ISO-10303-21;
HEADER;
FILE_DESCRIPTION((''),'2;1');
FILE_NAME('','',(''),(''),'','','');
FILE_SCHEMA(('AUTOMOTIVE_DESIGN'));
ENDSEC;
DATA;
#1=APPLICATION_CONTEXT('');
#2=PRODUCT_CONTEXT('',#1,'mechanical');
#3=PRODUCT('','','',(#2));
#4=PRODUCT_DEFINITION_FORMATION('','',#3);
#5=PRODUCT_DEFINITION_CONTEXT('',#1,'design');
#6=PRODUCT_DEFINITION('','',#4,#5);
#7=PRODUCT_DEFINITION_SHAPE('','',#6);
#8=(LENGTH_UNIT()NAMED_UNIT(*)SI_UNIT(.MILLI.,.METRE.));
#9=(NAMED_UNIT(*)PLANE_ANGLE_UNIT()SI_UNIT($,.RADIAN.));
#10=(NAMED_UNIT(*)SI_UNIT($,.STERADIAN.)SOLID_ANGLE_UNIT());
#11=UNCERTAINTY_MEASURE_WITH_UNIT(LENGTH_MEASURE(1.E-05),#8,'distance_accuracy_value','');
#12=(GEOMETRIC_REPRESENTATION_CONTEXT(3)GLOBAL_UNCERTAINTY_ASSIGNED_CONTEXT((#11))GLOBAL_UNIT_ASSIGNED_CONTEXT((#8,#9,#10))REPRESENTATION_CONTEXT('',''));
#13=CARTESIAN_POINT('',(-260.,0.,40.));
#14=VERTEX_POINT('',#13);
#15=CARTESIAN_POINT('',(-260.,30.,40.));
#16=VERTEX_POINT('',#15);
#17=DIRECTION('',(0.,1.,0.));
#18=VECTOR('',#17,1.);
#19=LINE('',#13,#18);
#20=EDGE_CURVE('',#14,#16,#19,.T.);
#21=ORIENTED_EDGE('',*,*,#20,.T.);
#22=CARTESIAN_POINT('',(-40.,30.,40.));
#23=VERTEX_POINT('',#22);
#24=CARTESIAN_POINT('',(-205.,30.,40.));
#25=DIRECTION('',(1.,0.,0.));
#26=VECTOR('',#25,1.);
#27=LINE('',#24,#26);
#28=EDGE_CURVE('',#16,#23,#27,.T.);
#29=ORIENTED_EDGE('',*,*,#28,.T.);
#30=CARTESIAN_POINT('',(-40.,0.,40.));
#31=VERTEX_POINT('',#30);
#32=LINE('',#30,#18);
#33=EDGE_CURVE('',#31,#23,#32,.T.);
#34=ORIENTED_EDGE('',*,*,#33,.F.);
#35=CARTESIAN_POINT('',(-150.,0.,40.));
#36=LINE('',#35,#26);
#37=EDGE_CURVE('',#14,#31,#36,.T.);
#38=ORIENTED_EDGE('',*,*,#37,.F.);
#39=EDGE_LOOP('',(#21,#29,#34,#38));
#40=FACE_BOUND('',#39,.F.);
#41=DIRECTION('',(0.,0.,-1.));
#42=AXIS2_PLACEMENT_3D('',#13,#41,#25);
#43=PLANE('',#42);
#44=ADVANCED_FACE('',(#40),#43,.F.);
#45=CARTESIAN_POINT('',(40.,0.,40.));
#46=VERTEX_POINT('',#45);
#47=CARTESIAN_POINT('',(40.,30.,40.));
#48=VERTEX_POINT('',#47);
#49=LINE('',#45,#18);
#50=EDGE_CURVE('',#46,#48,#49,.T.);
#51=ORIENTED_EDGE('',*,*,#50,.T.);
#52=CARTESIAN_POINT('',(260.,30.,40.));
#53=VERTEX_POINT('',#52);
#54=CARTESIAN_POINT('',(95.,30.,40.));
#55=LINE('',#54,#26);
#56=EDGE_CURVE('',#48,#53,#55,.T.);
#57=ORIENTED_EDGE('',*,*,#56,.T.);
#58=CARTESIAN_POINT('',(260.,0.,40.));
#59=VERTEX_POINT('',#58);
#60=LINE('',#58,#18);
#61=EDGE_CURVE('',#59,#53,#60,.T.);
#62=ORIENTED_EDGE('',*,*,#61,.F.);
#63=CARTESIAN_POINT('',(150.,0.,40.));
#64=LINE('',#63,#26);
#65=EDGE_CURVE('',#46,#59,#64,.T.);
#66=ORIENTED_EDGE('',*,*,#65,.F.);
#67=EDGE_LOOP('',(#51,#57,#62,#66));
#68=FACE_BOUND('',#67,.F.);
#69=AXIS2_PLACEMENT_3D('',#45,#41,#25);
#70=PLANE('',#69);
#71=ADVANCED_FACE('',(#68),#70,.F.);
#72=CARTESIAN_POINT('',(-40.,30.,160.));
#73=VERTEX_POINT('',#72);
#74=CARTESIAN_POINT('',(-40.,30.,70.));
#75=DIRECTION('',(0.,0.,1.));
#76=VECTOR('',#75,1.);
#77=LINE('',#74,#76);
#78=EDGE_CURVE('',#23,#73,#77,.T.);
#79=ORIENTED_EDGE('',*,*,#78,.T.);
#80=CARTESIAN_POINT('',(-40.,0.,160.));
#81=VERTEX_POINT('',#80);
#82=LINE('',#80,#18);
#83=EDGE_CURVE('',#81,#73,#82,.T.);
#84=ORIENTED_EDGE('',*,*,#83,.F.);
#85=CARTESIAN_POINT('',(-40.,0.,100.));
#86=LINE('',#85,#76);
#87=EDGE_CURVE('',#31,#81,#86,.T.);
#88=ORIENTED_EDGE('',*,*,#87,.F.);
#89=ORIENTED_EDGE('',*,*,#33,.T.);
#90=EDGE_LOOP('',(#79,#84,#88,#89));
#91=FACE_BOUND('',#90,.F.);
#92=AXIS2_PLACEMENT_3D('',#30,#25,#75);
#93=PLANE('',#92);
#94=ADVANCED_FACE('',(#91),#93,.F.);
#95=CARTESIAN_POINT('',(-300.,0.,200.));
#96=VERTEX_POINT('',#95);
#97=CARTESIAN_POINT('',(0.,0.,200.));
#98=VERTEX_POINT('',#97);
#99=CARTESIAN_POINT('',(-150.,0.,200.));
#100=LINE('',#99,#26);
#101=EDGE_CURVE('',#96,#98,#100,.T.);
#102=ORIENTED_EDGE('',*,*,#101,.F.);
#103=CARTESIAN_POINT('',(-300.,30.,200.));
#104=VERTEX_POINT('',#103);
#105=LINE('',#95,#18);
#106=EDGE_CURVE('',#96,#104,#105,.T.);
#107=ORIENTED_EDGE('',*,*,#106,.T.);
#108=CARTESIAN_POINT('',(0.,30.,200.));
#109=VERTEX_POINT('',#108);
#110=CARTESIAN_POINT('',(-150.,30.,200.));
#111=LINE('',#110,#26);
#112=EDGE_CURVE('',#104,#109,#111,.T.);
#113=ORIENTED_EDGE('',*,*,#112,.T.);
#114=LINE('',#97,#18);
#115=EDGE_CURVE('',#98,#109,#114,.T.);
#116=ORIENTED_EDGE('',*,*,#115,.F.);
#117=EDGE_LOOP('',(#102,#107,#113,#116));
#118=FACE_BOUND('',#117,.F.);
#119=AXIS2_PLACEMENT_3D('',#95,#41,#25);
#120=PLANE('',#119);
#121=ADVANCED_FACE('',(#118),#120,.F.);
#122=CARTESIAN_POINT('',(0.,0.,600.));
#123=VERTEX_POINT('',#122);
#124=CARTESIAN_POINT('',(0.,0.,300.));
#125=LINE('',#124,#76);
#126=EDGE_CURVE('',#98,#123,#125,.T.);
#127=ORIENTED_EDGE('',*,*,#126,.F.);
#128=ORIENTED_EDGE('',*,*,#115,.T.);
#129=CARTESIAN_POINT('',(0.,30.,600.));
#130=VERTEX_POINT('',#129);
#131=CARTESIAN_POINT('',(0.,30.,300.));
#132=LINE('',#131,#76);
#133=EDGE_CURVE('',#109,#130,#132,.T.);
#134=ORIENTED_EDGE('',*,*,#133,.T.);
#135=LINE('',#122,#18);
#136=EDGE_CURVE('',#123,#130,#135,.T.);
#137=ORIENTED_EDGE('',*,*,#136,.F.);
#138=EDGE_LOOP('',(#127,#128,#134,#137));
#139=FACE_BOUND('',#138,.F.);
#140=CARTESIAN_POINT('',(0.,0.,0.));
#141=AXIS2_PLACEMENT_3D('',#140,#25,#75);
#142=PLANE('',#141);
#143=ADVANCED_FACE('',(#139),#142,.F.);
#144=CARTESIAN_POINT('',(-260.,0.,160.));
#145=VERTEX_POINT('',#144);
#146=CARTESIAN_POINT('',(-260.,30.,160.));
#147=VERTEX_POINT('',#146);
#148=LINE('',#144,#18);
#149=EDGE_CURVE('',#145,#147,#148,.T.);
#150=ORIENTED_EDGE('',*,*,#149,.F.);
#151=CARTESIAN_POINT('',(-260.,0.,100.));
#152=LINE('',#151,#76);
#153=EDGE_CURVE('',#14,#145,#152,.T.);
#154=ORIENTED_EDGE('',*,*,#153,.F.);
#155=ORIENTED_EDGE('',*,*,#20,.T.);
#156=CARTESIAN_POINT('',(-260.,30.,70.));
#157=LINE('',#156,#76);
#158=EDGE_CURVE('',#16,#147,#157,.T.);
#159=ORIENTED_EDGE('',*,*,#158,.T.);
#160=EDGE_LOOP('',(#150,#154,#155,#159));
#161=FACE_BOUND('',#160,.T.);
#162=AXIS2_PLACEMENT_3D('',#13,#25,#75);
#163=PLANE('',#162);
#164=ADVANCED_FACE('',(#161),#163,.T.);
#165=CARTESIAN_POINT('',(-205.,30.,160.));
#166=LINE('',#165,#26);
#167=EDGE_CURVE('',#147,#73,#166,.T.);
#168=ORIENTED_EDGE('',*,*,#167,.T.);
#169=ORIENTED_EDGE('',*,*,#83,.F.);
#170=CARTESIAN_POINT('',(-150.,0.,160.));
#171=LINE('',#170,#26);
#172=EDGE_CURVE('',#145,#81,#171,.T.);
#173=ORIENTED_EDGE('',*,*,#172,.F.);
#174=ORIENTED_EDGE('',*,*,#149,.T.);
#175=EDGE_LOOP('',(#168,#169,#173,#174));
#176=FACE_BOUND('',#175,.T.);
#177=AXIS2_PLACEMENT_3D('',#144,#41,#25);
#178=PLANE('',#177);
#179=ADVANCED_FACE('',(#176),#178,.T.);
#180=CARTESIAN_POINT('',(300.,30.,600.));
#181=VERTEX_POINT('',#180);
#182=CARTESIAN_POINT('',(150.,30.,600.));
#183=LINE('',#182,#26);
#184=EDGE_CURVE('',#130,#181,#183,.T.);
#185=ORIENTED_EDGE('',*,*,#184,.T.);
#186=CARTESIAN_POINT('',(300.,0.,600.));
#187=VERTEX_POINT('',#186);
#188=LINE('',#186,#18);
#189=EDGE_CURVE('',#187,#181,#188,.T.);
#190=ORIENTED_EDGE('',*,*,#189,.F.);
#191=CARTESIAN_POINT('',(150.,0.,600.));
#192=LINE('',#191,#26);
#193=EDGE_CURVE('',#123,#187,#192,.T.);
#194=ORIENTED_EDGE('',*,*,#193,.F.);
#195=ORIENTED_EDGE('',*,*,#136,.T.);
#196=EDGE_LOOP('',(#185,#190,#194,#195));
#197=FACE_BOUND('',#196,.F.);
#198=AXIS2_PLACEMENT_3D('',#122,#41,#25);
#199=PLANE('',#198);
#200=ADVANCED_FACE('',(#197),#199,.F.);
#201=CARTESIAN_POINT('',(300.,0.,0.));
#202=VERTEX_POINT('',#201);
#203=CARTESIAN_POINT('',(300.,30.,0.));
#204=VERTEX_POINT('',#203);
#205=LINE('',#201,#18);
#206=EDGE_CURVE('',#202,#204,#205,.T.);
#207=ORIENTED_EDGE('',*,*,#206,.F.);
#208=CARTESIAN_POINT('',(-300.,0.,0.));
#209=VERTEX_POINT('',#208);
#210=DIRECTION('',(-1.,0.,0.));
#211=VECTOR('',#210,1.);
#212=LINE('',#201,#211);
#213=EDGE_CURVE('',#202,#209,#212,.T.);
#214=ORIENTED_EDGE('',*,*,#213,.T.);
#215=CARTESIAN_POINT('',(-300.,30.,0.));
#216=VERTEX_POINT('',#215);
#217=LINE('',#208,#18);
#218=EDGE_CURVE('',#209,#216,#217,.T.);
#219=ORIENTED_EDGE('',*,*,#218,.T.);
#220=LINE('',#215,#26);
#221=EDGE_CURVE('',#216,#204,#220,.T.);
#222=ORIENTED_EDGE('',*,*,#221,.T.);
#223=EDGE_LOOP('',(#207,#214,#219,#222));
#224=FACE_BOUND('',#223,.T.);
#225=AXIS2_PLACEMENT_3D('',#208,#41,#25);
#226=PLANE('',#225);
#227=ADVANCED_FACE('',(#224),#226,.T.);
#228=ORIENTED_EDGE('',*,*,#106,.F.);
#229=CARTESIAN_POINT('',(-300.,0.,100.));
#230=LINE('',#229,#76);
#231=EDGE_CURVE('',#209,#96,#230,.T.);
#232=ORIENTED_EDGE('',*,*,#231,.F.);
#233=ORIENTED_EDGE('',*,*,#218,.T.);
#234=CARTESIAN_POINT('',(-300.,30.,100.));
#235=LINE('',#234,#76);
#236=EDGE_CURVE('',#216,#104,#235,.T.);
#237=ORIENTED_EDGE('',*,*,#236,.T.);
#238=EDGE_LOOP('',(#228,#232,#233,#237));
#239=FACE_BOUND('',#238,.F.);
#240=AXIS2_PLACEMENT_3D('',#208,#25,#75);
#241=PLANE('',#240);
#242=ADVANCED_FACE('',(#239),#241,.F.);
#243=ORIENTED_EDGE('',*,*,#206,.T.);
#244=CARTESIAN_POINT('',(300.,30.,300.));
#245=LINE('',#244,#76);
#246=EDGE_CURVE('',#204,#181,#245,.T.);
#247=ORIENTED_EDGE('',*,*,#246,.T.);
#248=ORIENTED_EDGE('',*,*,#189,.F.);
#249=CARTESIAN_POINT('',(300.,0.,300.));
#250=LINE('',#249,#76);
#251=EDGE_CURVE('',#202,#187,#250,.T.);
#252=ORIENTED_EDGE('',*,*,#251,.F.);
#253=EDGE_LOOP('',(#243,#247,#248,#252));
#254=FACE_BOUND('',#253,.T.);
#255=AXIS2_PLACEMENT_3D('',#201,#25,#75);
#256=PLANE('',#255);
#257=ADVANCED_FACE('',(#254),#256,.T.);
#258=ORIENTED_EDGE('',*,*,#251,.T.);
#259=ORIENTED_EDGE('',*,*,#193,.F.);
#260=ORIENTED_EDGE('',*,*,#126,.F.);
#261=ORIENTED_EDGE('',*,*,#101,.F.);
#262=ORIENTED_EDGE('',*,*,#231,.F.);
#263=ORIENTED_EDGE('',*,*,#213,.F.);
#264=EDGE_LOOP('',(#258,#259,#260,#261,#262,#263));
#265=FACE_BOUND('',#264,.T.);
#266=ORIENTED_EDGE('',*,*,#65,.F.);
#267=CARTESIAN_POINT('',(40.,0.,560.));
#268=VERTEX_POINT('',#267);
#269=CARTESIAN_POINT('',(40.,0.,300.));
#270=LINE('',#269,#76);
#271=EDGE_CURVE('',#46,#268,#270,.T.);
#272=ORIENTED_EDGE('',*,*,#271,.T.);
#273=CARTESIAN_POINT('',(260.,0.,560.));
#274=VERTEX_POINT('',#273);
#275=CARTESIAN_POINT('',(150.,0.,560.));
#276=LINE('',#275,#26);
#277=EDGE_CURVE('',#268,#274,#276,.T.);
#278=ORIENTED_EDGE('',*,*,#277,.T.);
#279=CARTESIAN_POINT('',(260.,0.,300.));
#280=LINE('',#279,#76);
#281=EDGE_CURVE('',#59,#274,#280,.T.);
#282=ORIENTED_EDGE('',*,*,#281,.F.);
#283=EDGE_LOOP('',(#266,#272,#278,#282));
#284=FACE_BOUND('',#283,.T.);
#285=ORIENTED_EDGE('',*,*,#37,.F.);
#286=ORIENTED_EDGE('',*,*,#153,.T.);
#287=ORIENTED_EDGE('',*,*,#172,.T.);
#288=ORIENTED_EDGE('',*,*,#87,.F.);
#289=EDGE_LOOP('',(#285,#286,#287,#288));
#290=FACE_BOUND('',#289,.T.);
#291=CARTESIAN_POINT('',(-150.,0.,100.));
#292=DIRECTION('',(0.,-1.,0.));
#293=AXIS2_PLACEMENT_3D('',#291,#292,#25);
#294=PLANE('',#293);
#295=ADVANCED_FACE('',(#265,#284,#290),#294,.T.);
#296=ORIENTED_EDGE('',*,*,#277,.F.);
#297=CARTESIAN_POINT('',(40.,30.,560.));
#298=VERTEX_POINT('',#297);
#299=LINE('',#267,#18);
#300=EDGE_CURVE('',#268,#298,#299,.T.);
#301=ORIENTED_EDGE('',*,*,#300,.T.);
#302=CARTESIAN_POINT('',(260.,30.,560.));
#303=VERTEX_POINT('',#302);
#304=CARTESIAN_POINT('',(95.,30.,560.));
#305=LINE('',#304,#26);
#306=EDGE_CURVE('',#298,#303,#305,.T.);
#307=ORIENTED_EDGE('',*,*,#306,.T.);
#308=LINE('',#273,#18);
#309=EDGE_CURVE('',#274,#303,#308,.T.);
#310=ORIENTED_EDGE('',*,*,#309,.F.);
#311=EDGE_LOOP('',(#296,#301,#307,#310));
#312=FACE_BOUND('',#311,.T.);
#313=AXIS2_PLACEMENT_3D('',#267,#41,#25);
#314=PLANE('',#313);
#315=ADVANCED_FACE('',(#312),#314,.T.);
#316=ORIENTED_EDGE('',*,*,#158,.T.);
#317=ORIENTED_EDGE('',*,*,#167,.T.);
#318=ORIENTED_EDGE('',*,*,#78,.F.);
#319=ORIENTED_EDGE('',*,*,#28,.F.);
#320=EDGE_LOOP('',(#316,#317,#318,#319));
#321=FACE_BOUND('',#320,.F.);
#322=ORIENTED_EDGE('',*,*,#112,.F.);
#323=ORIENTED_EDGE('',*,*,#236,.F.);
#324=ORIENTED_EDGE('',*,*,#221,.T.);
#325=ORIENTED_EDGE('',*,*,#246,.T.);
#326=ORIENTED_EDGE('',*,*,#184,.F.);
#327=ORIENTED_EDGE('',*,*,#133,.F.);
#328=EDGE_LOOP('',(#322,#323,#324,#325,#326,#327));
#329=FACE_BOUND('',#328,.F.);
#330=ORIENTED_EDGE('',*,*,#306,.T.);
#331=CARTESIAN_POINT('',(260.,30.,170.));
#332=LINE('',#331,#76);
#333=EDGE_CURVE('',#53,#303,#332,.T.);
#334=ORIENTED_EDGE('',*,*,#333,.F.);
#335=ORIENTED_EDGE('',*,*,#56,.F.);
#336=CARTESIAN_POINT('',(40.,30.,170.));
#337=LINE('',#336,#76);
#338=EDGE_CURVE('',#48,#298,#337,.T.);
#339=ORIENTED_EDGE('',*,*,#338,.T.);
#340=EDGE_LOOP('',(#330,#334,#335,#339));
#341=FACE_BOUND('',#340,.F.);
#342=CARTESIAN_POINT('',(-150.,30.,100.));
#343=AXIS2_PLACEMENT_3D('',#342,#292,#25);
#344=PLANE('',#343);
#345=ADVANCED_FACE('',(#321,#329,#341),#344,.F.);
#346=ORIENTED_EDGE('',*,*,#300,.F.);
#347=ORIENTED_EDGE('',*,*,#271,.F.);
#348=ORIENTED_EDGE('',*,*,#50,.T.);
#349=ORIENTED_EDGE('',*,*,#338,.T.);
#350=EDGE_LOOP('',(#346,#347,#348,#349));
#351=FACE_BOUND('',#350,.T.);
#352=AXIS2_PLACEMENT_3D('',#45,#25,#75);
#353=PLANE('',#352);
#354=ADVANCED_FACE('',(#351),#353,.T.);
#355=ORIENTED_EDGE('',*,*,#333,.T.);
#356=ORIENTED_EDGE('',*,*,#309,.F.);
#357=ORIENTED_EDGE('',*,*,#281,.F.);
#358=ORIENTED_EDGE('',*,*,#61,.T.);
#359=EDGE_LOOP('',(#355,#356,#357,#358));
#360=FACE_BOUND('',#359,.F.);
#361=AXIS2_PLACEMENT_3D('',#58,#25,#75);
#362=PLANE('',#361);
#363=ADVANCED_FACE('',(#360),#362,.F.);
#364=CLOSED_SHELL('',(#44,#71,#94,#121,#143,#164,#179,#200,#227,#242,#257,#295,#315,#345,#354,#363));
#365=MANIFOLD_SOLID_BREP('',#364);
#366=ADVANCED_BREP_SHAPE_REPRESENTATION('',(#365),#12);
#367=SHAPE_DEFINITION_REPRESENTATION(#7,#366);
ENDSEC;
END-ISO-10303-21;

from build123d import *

# Parameters (mm, degrees)
F0_W     = 300
F0_H     = 600
F1_DEPTH = 30
F2_W     = 220
F2_H     = 520
F3_DEPTH = 35
F4_W     = 300
F4_H     = 200
F5_DEPTH = 30
F6_W     = 220
F6_H     = 120
F7_DEPTH = 40


with BuildPart() as f1:
    # F0 (on Front) → F1 (new body)
    with BuildSketch(Plane.XZ):
        with Locations((150, 300)):
            Rectangle(F0_W, F0_H)
    extrude(amount=-F1_DEPTH)

    # F2 (on face) → F3 (cut)
    with BuildSketch(Plane.XZ):
        with Locations((150, 300)):
            Rectangle(F2_W, F2_H)
    extrude(amount=-F3_DEPTH, mode=Mode.SUBTRACT)

    # F4 (on Front) → F5 (join)
    with BuildSketch(Plane.XZ):
        with Locations((-150, 100)):
            Rectangle(F4_W, F4_H)
    extrude(amount=-F5_DEPTH)

    # F6 (on face) → F7 (cut)
    with BuildSketch(Plane.XZ):
        with Locations((-150, 100)):
            Rectangle(F6_W, F6_H)
    extrude(amount=-F7_DEPTH, mode=Mode.SUBTRACT)


solid = f1.part
